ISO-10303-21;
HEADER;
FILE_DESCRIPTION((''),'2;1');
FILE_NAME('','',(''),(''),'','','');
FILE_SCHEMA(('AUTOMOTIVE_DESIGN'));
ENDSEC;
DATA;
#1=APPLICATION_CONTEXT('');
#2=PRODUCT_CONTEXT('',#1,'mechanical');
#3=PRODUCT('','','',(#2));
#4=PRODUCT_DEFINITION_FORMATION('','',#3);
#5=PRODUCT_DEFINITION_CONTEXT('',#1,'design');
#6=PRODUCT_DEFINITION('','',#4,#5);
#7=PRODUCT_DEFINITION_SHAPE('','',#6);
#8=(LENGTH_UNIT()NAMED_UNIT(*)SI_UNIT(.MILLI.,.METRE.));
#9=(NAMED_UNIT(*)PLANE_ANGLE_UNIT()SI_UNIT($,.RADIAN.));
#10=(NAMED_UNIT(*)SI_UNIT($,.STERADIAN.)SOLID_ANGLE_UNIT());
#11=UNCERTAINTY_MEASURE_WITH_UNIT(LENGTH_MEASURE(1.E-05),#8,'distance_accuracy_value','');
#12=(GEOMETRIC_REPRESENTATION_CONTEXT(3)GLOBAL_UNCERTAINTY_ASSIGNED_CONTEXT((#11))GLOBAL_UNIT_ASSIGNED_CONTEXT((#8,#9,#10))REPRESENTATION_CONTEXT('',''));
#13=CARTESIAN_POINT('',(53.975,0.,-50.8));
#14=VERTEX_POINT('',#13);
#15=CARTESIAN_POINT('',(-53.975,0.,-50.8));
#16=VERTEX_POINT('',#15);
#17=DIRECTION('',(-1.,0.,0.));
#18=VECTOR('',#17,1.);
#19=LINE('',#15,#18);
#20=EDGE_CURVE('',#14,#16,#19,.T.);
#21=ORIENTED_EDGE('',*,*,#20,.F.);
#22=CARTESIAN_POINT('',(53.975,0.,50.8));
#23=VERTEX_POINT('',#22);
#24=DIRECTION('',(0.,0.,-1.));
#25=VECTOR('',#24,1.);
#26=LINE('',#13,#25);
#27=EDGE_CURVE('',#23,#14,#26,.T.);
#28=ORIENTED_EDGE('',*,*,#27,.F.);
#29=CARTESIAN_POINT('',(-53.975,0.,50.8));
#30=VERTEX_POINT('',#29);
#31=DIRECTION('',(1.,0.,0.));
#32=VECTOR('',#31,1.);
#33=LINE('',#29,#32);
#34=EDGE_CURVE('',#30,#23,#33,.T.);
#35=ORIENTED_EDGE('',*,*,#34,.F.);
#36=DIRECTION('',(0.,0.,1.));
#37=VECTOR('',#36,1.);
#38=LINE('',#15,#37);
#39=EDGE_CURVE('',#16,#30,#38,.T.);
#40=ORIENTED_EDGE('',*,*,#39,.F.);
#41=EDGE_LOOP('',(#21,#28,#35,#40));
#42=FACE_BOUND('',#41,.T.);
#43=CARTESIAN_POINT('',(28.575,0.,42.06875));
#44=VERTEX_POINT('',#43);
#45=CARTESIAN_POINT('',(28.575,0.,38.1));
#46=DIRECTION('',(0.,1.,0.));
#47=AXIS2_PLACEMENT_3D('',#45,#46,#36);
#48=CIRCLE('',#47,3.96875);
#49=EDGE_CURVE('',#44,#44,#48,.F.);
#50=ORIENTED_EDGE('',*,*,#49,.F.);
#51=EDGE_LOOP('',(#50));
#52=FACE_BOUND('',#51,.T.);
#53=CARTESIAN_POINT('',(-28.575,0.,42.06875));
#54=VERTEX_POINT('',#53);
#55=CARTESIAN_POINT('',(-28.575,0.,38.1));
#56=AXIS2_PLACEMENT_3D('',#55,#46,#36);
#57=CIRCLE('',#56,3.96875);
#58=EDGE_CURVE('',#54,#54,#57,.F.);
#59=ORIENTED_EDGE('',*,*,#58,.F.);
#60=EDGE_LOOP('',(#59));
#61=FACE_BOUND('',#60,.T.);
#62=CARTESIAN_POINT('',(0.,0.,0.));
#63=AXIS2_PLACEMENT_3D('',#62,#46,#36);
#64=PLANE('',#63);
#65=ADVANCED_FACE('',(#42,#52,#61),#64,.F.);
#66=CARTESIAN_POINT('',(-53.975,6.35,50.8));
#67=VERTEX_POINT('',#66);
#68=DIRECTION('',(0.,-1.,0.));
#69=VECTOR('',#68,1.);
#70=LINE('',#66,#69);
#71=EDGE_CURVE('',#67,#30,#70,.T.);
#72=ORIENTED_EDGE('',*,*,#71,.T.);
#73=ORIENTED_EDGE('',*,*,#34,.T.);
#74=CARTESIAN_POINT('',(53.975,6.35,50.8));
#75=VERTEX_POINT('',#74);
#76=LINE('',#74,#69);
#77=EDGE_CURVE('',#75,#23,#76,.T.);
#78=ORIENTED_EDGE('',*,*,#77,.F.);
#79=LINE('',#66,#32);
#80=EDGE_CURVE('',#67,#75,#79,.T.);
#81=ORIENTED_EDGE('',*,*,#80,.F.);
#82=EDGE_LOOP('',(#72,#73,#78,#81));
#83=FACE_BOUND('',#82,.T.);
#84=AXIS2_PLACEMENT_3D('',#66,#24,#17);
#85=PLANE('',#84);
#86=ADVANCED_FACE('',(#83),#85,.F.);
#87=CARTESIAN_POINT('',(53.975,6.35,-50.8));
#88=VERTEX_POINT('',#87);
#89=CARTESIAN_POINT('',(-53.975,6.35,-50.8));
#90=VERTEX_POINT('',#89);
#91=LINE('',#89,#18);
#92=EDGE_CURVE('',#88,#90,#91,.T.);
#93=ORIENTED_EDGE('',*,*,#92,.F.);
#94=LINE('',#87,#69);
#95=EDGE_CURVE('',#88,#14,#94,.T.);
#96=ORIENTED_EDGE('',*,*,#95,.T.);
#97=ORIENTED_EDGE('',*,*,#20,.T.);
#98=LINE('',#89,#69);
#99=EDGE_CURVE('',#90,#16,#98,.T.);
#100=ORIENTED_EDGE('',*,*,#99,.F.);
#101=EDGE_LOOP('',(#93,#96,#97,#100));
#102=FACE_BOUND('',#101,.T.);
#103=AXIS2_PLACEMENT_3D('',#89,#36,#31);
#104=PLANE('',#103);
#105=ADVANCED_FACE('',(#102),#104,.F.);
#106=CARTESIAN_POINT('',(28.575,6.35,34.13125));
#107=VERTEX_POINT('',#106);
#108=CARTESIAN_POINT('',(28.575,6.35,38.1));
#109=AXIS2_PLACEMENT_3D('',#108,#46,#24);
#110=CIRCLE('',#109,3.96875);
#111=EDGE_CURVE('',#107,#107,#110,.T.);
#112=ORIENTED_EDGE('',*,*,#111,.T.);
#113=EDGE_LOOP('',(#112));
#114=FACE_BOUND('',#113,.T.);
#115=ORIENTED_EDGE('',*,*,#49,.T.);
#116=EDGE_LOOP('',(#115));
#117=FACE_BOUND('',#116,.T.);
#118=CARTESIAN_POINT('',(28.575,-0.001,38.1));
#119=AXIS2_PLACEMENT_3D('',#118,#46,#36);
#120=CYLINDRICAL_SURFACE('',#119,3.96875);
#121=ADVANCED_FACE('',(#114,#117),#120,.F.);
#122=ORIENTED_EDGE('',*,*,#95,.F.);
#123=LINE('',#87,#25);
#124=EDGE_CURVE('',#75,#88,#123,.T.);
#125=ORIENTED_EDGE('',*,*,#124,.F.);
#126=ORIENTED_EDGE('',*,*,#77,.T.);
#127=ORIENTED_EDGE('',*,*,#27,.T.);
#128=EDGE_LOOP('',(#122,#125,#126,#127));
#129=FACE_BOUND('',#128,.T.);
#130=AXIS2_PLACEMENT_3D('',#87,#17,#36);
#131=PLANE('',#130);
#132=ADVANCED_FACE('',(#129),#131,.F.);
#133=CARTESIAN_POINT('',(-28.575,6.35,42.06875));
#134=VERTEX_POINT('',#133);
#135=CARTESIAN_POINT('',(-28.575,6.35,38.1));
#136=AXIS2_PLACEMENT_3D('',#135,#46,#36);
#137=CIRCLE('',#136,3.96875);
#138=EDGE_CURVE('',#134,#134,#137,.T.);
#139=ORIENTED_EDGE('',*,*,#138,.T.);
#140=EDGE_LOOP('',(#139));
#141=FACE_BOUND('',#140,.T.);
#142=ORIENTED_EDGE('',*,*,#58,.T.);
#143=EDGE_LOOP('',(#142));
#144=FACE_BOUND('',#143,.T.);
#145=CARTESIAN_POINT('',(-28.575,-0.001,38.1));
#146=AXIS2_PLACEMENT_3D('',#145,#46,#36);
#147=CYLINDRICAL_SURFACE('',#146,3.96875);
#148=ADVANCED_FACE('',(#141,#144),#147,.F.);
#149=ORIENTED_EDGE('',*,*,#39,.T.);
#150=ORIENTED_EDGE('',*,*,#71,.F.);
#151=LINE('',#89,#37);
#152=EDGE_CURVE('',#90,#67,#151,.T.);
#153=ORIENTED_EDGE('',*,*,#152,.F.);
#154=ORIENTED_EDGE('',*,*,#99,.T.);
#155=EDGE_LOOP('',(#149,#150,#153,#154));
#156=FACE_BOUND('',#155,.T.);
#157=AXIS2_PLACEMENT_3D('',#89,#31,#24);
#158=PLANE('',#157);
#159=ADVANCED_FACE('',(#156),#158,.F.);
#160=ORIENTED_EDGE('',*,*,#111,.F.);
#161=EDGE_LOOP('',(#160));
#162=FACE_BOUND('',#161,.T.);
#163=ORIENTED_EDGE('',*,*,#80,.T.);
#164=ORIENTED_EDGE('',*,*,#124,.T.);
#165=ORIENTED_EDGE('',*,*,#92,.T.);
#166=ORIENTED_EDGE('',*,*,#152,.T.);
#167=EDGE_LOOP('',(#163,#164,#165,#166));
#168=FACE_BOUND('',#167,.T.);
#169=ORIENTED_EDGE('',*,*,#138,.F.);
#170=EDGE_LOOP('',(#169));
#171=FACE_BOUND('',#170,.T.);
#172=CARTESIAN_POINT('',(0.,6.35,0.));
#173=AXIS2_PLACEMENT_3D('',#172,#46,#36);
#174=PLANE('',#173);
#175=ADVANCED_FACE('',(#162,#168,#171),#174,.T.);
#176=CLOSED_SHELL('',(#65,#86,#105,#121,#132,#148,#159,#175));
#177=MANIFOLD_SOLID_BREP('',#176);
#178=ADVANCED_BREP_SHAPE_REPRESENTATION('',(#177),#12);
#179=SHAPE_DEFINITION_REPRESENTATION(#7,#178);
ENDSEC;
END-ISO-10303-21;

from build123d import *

# Parameters (mm, degrees)
SKETCH1_W           = 107.95
SKETCH1_H           = 101.6
BOSS_EXTRUDE1_DEPTH = 6.35
CUT_EXTRUDE1_REACH  = 76.393
SKETCH2_R           = 3.96875


with BuildPart() as part:
    # Sketch1 → Boss-Extrude1 (new body)
    with BuildSketch(Plane(origin=(0, 0, 0), x_dir=(1, 0, 0), z_dir=(0, 1, 0))):
        Rectangle(SKETCH1_W, SKETCH1_H)
    extrude(amount=BOSS_EXTRUDE1_DEPTH)

    # Sketch2 → Cut-Extrude1 (cut, up to next)
    with BuildSketch(Plane(origin=(0, 6.35, 0), x_dir=(1, 0, 0), z_dir=(0, 1, 0)), mode=Mode.PRIVATE) as cut_extrude1_sk1:
        with Locations(Location((-28.575, -38.1, 0), (0, 0, 270))):
            Circle(SKETCH2_R)
    cut_extrude1_tool1 = extrude(cut_extrude1_sk1.sketch, amount=-CUT_EXTRUDE1_REACH, mode=Mode.PRIVATE) & part.part
    # Sketch2 → Cut-Extrude1 (cut, up to next)
    with BuildSketch(Plane(origin=(0, 6.35, 0), x_dir=(1, 0, 0), z_dir=(0, 1, 0)), mode=Mode.PRIVATE) as cut_extrude1_sk2:
        with Locations(Location((28.575, -38.1, 0), (0, 0, 270))):
            Circle(SKETCH2_R)
    cut_extrude1_tool2 = extrude(cut_extrude1_sk2.sketch, amount=-CUT_EXTRUDE1_REACH, mode=Mode.PRIVATE) & part.part
    add(cut_extrude1_tool1.solids().sort_by_distance((-28.575, 6.35, 38.1))[0], mode=Mode.SUBTRACT)
    add(cut_extrude1_tool2.solids().sort_by_distance((28.575, 6.35, 38.1))[0], mode=Mode.SUBTRACT)


solid = part.part
